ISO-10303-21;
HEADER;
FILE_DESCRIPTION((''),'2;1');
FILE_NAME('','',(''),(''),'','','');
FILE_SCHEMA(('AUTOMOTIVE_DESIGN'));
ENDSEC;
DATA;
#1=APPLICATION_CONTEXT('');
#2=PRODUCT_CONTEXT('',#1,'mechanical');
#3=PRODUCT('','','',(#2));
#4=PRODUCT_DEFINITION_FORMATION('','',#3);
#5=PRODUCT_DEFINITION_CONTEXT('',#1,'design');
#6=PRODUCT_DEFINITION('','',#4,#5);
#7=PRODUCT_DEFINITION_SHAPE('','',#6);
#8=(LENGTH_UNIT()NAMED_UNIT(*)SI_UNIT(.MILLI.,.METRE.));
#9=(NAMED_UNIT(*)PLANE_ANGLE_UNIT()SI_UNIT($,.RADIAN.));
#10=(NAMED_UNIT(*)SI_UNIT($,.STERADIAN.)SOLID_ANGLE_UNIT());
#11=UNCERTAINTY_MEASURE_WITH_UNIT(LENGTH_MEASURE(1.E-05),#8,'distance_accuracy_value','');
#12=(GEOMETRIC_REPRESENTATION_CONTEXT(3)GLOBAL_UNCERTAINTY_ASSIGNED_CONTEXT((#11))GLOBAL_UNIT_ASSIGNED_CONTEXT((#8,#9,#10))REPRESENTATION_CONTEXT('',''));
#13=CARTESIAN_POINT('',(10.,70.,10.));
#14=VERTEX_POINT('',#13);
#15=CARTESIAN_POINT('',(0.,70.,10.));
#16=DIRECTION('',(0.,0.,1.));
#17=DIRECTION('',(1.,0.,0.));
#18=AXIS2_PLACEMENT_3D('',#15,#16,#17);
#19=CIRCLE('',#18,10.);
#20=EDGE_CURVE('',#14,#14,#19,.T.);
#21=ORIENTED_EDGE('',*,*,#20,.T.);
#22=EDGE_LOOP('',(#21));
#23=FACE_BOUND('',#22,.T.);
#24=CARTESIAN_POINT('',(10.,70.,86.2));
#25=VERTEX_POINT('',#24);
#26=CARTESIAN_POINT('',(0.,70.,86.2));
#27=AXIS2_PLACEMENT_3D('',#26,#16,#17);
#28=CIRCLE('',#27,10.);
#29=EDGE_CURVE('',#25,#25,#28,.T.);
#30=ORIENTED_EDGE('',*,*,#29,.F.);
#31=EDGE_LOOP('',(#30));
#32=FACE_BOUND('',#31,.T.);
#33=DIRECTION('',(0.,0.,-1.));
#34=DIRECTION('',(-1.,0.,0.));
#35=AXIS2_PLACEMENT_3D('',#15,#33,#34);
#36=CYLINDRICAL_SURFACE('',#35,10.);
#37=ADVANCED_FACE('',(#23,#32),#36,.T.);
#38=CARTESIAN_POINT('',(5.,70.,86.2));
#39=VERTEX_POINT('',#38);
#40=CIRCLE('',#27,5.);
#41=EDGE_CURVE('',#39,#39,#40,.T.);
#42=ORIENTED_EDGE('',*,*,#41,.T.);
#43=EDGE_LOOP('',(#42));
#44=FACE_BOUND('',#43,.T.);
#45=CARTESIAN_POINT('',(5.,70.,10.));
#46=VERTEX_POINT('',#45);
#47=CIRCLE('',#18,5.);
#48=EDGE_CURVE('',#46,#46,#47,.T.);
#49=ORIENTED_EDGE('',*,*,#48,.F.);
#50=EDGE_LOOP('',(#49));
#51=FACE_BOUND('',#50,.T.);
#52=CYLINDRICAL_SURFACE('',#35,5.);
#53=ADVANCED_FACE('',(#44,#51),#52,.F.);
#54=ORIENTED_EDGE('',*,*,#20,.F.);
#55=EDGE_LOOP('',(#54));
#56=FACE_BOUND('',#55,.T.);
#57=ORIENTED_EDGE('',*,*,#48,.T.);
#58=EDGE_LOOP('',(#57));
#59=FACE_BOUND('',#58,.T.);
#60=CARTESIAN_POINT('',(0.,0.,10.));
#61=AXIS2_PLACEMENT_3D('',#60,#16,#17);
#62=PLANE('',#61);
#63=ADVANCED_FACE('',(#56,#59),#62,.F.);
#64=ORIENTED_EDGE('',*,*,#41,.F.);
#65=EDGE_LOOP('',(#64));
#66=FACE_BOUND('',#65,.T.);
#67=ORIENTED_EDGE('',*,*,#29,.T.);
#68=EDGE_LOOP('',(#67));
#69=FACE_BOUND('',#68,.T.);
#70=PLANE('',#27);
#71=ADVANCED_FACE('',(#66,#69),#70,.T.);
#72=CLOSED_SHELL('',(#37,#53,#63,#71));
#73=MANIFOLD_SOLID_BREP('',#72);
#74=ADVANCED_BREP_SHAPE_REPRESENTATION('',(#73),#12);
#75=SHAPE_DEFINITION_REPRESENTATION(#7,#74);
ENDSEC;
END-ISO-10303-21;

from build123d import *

# Parameters (mm, degrees)
SKETCH2_R           = 5
BOSS_EXTRUDE1_DEPTH = 10
SKETCH3_R           = 10
SKETCH3_R_2         = 5
BOSS_EXTRUDE2_DEPTH = 76.2
BOSS_EXTRUDE3_START = 86.2
SKETCH2_2_R         = 5
BOSS_EXTRUDE3_DEPTH = 22
SKETCH5_R           = 65
BOSS_EXTRUDE4_DEPTH = 22
SKETCH6_R           = 55
CUT_EXTRUDE1_DEPTH  = 22
SKETCH7_R           = 80
CUT_EXTRUDE2_DEPTH  = 22
SKETCH8_R           = 80
CUT_EXTRUDE3_DEPTH  = 10


with BuildPart() as part:
    # Sketch2 → Boss-Extrude1 (new body)
    with BuildSketch(Plane.XY):
        with BuildLine():
            Line((-19.794866372, 2.857142857), (-9.897433186, 71.428571429))
            ThreePointArc((-9.897433186, 71.428571429), (0, 80), (9.897433186, 71.428571429))
            Line((9.897433186, 71.428571429), (19.794866372, 2.857142857))
            ThreePointArc((19.794866372, 2.857142857), (0, -20), (-19.794866372, 2.857142857))
        make_face()
        with Locations((0, 70)):
            Circle(SKETCH2_R, mode=Mode.SUBTRACT)
        with BuildLine():
            Line((-2.5, 9.682458366), (-2.5, 12))
            Line((-2.5, 12), (2.5, 12))
            Line((2.5, 12), (2.5, 9.682458366))
            ThreePointArc((2.5, 9.682458366), (0, -10), (-2.5, 9.682458366))
        make_face(mode=Mode.SUBTRACT)
    extrude(amount=BOSS_EXTRUDE1_DEPTH)

    # Sketch3 → Boss-Extrude2 (add)
    with BuildSketch(Plane.XY.offset(10)):
        with Locations(Location((0, 70, 0), (0, 0, 171.786789298))):
            Circle(SKETCH3_R)
        with Locations((0, 70)):
            Circle(SKETCH3_R_2, mode=Mode.SUBTRACT)
    extrude(amount=BOSS_EXTRUDE2_DEPTH)

    # Sketch2<2> → Boss-Extrude3 (add)
    with BuildSketch(Plane.XY.offset(BOSS_EXTRUDE3_START)):
        with BuildLine():
            Line((-19.794866372, 2.857142857), (-9.897433186, 71.428571429))
            ThreePointArc((-9.897433186, 71.428571429), (0, 80), (9.897433186, 71.428571429))
            Line((9.897433186, 71.428571429), (19.794866372, 2.857142857))
            ThreePointArc((19.794866372, 2.857142857), (0, -20), (-19.794866372, 2.857142857))
        make_face()
        with Locations((0, 70)):
            Circle(SKETCH2_2_R, mode=Mode.SUBTRACT)
        with BuildLine():
            Line((-2.5, 9.682458366), (-2.5, 12))
            Line((-2.5, 12), (2.5, 12))
            Line((2.5, 12), (2.5, 9.682458366))
            ThreePointArc((2.5, 9.682458366), (0, -10), (-2.5, 9.682458366))
        make_face(mode=Mode.SUBTRACT)
    extrude(amount=BOSS_EXTRUDE3_DEPTH)

    # Sketch5 → Boss-Extrude4 (add)
    with BuildSketch(Plane.XY.offset(108.2)):
        Circle(SKETCH5_R)
    extrude(amount=-BOSS_EXTRUDE4_DEPTH)

    # Sketch6 → Cut-Extrude1 (cut)
    with BuildSketch(Plane.XY.offset(108.2)):
        Circle(SKETCH6_R)
    extrude(amount=-CUT_EXTRUDE1_DEPTH, mode=Mode.SUBTRACT)

    # Sketch7 → Cut-Extrude2 (cut)
    with BuildSketch(Plane.XY.offset(108.2)):
        Circle(SKETCH7_R)
    extrude(amount=-CUT_EXTRUDE2_DEPTH, mode=Mode.SUBTRACT)

    # Sketch8 → Cut-Extrude3 (cut)
    with BuildSketch(Plane(origin=(0, 0, 0), x_dir=(-1, 0, 0), z_dir=(0, 0, -1))):
        Circle(SKETCH8_R)
    extrude(amount=-CUT_EXTRUDE3_DEPTH, mode=Mode.SUBTRACT)


solid = part.part
